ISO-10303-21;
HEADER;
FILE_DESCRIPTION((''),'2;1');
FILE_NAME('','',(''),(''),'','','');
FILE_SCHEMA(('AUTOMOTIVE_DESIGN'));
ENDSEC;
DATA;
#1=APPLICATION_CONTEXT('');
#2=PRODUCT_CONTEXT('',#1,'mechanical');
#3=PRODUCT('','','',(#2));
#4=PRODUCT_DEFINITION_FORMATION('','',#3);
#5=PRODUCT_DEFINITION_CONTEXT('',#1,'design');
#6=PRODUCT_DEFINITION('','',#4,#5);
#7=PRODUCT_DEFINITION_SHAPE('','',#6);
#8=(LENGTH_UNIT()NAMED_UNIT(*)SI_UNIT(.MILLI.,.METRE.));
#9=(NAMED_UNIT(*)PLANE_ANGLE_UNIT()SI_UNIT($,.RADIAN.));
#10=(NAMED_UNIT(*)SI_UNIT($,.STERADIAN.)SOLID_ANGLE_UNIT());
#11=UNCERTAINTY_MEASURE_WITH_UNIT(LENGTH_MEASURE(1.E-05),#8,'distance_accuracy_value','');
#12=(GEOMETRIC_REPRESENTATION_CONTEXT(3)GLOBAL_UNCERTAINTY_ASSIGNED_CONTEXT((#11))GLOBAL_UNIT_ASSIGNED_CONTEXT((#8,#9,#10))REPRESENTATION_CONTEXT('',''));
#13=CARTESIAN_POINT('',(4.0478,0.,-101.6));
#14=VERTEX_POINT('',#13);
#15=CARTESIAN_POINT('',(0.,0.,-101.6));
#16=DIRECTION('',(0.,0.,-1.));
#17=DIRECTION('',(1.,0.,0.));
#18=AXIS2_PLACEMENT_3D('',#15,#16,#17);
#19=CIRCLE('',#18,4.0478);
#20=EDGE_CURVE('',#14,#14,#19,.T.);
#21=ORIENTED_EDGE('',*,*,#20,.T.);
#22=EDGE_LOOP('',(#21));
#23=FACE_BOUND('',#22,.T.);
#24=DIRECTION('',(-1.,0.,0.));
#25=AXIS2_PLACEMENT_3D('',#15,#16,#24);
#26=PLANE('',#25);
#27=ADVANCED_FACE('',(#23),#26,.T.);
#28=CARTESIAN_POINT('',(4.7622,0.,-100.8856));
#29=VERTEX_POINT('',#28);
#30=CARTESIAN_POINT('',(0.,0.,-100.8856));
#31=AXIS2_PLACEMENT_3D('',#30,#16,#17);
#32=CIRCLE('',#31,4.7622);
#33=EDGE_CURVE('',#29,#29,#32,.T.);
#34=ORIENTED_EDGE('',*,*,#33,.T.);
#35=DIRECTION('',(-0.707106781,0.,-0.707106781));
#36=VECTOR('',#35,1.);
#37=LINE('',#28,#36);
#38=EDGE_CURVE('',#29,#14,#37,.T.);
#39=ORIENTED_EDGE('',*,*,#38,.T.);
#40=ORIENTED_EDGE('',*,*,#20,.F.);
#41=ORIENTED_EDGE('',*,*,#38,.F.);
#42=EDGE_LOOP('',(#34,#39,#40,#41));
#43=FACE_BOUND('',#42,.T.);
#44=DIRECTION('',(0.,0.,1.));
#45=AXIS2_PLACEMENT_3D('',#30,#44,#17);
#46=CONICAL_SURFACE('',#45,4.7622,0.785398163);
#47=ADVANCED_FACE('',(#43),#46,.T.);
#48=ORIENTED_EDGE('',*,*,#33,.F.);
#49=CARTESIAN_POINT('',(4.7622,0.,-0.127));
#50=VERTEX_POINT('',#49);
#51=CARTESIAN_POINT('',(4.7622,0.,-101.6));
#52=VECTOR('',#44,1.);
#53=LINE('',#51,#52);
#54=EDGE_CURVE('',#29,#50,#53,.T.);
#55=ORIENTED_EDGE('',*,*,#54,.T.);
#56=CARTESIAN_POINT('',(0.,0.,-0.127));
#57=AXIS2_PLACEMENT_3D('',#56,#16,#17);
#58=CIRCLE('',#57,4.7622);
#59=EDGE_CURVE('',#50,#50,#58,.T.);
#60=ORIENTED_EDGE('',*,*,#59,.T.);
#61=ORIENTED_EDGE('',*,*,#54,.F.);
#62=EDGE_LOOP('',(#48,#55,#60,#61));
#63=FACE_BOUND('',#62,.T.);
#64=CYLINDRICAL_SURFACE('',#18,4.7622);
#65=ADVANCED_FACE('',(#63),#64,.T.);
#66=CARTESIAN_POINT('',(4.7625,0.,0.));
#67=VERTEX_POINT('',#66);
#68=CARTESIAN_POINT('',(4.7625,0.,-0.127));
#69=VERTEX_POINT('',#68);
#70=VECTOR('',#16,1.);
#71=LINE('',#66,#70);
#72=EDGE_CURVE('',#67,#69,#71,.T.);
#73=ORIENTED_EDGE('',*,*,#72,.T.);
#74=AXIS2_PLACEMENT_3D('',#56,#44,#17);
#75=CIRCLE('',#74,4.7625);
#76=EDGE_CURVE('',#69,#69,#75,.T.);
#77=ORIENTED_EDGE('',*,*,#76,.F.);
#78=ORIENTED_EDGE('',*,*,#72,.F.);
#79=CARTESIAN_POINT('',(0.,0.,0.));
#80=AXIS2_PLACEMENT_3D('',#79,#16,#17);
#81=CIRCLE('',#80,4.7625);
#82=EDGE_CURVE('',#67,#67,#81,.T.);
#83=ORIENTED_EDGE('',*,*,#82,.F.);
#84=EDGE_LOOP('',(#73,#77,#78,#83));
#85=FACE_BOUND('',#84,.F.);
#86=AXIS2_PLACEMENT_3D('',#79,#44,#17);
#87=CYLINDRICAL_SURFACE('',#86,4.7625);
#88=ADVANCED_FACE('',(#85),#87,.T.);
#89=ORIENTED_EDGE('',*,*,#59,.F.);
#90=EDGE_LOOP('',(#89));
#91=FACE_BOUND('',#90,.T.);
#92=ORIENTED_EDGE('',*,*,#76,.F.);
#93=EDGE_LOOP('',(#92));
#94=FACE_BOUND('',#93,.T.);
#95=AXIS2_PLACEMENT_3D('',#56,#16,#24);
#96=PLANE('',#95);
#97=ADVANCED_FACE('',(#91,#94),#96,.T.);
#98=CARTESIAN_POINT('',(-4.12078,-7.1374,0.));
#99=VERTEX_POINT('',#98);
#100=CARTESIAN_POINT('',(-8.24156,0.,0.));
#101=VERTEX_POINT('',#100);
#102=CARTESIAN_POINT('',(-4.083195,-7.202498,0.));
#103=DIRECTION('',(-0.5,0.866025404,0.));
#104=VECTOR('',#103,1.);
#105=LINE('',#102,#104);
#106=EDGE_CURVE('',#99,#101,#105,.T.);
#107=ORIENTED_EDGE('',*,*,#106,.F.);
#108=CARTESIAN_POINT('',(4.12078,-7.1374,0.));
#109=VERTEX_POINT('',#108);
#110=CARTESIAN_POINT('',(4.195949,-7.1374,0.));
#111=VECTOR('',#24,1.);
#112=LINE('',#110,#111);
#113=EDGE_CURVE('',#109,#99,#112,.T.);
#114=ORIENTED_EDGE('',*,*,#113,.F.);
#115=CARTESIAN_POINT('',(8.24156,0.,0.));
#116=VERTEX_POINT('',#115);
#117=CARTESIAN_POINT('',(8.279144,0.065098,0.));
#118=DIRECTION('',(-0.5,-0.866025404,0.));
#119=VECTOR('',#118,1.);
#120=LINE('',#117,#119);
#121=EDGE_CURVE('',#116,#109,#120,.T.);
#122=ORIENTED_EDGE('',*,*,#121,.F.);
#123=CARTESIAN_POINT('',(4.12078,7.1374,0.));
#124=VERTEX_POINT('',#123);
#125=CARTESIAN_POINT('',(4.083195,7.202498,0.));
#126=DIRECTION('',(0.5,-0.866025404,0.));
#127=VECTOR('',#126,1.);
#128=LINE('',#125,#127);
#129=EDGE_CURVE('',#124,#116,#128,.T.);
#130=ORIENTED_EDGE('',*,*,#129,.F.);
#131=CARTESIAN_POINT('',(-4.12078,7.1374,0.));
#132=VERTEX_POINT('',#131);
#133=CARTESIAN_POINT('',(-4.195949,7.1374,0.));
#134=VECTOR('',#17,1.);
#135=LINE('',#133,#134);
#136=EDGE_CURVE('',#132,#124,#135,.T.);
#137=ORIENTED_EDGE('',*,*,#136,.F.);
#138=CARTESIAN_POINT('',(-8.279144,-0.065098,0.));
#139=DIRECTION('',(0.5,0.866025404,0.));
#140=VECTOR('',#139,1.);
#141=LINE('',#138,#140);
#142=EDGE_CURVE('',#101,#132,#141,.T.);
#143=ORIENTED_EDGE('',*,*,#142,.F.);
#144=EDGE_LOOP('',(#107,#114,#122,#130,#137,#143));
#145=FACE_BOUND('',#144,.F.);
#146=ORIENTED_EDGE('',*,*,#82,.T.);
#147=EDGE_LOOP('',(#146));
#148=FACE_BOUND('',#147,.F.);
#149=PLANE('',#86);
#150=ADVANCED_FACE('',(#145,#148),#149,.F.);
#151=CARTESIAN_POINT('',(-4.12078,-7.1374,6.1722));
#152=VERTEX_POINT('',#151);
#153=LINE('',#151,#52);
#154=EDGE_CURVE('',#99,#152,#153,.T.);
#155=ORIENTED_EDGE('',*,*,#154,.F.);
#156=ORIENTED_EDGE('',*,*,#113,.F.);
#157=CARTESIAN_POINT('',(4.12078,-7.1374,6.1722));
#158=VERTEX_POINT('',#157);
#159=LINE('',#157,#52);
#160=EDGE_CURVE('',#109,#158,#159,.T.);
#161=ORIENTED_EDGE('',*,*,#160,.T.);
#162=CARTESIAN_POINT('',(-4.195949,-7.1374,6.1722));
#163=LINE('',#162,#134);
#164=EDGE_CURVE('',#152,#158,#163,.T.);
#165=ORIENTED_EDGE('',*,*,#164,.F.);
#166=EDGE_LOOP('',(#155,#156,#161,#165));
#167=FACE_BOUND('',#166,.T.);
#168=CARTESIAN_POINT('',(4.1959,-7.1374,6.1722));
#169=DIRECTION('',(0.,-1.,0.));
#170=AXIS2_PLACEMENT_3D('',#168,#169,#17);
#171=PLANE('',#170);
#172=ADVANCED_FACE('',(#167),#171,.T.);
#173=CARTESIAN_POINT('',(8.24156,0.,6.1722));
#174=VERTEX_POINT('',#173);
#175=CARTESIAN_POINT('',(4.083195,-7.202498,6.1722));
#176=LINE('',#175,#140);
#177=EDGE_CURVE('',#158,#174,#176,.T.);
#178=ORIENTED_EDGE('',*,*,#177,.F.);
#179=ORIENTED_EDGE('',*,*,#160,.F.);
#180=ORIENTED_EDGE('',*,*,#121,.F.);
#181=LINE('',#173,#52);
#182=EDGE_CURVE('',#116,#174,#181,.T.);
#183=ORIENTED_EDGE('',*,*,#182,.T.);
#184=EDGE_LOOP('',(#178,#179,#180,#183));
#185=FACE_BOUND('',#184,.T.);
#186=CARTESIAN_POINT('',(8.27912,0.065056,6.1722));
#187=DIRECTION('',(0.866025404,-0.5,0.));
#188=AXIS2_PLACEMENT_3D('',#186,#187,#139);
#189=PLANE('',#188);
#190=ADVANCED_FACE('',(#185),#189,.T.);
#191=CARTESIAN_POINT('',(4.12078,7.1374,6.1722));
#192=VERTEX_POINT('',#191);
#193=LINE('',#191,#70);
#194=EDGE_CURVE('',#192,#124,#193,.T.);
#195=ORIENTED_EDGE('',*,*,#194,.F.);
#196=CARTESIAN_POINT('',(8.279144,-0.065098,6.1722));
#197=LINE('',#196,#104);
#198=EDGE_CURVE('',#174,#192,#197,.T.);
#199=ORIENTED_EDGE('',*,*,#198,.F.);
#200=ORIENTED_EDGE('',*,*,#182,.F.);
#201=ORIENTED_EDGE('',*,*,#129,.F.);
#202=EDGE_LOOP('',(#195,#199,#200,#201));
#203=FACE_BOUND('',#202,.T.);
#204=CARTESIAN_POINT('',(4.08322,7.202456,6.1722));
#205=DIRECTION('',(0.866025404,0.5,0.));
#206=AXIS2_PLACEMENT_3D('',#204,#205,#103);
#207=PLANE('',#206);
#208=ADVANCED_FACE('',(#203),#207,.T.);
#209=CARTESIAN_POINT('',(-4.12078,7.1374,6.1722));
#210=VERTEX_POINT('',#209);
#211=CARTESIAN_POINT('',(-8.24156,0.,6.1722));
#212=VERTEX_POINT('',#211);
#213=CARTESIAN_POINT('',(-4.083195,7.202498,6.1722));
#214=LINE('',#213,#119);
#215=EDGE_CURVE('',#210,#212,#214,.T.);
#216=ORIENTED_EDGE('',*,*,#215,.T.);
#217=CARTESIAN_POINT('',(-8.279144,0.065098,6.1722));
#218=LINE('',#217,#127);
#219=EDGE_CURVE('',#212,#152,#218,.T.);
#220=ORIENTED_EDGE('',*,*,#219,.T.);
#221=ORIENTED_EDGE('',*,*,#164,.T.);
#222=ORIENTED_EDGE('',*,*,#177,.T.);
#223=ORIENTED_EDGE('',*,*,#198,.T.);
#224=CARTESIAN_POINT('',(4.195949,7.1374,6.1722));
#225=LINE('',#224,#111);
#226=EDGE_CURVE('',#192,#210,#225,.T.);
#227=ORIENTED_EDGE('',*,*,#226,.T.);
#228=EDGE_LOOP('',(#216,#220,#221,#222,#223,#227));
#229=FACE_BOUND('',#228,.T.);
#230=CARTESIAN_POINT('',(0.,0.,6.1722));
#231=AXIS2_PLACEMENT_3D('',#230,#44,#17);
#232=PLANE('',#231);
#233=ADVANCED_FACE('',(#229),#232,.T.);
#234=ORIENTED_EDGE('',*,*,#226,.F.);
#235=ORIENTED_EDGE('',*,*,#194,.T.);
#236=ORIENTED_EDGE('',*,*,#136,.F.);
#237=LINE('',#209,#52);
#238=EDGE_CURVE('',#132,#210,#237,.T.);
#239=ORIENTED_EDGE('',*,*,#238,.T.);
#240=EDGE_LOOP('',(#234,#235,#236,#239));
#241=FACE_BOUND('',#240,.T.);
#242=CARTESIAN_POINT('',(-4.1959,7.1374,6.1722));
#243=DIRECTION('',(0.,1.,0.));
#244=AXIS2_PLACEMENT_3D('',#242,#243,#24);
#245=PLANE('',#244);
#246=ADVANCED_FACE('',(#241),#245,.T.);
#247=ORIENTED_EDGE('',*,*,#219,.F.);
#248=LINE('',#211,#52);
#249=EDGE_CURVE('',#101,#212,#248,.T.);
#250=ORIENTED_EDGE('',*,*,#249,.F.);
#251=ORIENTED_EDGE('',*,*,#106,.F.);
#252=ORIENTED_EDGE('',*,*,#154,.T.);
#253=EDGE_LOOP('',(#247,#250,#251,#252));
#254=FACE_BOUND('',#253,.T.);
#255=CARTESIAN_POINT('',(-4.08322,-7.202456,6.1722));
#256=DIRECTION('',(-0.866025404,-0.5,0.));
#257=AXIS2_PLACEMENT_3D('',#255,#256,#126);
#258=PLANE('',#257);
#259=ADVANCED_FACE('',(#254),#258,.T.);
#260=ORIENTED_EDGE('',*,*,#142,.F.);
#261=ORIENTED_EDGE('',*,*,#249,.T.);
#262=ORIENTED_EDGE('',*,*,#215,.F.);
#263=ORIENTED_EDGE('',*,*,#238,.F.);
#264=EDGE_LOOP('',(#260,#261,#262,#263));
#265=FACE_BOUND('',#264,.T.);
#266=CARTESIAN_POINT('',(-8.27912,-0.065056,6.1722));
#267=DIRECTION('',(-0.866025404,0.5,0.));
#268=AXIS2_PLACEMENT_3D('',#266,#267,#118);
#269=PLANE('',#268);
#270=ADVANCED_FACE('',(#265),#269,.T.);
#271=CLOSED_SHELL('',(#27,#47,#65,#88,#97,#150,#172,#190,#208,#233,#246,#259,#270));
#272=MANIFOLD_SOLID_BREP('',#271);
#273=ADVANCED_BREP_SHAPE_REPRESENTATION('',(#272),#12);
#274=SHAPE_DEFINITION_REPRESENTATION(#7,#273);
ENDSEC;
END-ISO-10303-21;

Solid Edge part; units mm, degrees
sketch "Sketch1" plane through (0, 0, 0) normal (0, 0, 1) x (1, 0, 0)
  circle A0 centre (0, 0) radius 8.2794
  dimension "D1" = 16.5588
extrude "Protrusion1" add sketch "Sketch1" along normal blind 6.1722
sketch "Sketch2" plane through (0, 0, 0) normal (0, 0, -1) x (1, 0, 0)
  circle A0 centre (0, 0) radius 4.7625
extrude "Protrusion2" add sketch "Sketch2" along normal blind 101.6
sketch "Sketch3" plane through (0, 0, -101.6) normal (0, 0, -1) x (1, 0, 0)
  circle A0 centre (0, 0) radius 4.7622
extrude "Cutout1" cut sketch "Sketch3" against normal blind 101.473 flip side to cut
chamfer "Chamfer_1" distance 0.7144 angle 45 1 edges at (-4.7622, 0, -101.6)
sketch "Sketch4" plane through (0, 0, 6.1722) normal (0, 0, 1) x (1, 0, 0)
  line L0 (-4.1959, 7.1374) -> (4.1959, 7.1374)
  dimension "D1" = 14.2748
extrude "Cutout2" cut sketch "Sketch4" against normal up to next material side at (0, 7.1874, 6.1722)
pattern_circular "Pattern1" count 6 over 360 about axis through (0, 0, 6.1722) along (0, 0, 1) of "Cutout2"
properties part number "210805"
